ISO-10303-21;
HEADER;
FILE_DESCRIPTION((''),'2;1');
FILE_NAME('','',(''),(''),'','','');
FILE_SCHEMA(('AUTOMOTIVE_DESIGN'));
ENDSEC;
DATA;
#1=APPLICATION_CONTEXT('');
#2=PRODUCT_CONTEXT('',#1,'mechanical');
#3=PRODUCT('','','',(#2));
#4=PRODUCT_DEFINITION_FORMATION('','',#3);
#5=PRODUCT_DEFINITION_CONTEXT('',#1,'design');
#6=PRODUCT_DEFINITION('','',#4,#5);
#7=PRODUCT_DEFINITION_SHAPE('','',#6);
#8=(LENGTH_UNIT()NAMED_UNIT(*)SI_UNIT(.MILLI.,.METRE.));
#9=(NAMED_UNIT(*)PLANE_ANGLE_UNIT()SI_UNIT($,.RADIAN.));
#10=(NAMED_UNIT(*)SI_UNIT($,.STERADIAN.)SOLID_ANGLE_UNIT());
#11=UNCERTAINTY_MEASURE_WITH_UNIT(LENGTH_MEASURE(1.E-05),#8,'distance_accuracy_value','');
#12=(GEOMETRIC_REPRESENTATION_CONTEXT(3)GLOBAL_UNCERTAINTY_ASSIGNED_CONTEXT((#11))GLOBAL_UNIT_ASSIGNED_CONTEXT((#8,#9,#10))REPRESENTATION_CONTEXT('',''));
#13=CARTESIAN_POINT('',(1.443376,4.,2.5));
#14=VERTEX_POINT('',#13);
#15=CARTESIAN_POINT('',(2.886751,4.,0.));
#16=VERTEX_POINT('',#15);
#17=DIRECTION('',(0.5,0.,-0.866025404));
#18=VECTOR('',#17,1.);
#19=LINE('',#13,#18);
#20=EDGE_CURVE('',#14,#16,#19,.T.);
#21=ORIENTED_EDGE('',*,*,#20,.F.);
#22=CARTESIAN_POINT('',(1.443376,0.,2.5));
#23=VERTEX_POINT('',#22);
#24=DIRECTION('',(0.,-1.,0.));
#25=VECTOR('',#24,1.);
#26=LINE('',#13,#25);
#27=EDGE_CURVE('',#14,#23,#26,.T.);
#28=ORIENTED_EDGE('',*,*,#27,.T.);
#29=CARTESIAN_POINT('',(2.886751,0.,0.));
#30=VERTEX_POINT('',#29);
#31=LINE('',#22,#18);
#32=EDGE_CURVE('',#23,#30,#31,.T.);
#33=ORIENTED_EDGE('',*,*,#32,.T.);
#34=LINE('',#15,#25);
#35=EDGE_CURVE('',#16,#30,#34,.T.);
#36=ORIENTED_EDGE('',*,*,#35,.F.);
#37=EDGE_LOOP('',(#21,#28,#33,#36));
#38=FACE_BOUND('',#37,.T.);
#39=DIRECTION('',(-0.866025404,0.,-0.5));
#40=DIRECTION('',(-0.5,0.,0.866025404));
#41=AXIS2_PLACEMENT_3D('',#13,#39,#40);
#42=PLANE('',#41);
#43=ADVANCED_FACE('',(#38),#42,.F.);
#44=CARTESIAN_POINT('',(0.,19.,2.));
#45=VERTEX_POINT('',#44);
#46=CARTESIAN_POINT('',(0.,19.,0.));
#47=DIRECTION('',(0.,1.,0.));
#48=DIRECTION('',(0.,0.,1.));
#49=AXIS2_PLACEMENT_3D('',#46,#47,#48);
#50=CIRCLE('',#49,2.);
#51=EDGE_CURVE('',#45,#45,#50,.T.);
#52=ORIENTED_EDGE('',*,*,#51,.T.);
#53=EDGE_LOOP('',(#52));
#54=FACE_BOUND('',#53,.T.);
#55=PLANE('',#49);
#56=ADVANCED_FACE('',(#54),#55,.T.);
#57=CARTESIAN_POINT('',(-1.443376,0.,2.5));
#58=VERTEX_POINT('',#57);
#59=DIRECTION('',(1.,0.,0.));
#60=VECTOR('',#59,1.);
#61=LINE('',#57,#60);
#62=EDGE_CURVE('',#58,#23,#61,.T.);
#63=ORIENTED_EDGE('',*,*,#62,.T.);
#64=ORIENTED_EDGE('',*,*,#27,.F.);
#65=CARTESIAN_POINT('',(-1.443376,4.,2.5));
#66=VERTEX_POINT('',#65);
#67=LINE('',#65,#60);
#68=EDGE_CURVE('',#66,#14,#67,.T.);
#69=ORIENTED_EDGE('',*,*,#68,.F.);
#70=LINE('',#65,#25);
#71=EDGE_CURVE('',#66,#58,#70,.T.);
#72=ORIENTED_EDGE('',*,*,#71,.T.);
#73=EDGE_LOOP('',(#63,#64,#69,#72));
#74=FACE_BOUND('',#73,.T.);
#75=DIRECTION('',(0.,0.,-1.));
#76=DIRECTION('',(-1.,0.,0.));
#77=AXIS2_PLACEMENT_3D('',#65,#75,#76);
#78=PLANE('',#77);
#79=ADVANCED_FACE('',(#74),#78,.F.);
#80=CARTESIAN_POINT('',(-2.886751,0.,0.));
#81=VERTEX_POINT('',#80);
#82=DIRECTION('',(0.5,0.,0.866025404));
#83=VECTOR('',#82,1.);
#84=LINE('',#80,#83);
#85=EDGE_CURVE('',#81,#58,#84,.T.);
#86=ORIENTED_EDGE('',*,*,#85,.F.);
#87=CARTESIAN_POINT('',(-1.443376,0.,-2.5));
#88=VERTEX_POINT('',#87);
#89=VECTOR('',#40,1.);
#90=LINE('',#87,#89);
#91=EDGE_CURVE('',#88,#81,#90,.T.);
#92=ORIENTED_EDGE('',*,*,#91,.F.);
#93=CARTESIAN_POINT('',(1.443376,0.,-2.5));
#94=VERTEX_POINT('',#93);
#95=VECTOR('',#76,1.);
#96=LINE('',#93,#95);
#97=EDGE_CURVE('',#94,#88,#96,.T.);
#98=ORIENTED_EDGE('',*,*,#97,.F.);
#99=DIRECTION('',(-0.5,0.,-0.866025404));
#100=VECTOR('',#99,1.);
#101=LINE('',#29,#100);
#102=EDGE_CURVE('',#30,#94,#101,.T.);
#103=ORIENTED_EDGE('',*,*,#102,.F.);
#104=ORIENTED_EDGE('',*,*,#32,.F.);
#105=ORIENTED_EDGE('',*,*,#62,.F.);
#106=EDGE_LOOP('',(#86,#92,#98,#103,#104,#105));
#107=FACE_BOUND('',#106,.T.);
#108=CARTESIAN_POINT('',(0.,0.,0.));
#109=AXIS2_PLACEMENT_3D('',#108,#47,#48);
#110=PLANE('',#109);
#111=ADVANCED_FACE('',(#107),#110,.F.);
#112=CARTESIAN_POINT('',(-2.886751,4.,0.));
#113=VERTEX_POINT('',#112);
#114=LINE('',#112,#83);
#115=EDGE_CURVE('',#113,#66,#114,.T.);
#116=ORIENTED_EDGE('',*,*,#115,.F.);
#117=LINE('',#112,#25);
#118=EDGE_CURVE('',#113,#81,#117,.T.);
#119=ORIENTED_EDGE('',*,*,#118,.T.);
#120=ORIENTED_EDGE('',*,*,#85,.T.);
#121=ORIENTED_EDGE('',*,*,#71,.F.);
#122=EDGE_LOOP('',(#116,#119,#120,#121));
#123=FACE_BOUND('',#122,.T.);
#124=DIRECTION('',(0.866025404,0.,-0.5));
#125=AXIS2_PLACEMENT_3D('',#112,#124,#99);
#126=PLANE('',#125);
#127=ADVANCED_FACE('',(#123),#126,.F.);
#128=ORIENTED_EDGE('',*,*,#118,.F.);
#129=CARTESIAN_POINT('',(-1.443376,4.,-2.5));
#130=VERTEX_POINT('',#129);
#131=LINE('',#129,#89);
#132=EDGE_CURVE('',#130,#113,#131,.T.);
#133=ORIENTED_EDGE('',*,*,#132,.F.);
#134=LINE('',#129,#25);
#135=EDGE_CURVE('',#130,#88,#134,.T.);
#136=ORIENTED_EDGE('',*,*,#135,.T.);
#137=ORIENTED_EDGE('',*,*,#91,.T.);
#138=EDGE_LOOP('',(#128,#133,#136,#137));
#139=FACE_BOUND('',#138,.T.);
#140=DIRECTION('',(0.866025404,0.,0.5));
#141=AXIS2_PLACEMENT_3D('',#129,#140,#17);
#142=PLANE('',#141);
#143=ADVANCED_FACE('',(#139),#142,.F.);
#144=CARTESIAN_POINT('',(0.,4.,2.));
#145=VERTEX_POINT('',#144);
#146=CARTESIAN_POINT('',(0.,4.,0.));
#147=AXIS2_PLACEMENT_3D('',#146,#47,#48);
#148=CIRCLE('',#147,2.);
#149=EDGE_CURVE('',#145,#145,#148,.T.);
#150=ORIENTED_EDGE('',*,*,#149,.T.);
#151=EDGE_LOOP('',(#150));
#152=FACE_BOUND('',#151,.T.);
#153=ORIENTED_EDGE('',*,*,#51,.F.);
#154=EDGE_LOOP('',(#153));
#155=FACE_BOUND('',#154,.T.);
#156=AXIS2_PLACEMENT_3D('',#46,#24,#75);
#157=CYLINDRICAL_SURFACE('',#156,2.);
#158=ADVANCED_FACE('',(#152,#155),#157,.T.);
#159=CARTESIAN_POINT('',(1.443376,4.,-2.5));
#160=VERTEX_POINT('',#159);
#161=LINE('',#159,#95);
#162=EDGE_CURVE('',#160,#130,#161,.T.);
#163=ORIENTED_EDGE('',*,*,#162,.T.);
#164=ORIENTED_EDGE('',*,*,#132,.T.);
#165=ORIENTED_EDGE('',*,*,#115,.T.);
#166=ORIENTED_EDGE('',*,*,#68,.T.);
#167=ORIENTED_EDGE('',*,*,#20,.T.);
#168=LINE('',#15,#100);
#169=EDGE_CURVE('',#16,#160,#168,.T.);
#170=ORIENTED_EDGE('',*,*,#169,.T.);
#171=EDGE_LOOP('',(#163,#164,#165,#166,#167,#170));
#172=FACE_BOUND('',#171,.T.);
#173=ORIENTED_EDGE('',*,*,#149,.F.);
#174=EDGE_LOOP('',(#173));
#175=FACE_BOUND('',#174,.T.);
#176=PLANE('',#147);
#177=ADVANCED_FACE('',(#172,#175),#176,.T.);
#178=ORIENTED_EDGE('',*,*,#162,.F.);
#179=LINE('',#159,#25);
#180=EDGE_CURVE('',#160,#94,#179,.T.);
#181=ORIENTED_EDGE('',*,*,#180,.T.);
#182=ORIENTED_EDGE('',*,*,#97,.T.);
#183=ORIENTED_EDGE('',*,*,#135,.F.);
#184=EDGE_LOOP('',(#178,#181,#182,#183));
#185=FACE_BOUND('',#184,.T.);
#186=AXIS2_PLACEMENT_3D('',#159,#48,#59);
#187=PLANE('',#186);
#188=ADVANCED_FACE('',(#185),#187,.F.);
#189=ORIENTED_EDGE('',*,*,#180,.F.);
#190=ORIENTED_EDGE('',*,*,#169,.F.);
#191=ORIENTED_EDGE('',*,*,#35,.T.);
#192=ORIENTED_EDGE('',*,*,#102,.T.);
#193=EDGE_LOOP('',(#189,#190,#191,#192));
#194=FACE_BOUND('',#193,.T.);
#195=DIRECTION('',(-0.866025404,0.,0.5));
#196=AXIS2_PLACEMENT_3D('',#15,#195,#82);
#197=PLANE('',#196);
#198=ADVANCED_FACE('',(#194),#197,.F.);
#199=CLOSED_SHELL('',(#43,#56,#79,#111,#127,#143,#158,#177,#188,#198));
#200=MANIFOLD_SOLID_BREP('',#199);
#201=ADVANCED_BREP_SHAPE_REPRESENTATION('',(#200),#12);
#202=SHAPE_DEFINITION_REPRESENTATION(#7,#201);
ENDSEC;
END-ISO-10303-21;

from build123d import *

# Parameters (mm, degrees)
BOSS_EXTRUDE1_DEPTH = 4
SKETCH2_R           = 2
BOSS_EXTRUDE2_DEPTH = 15


with BuildPart() as part:
    # Sketch1 → Boss-Extrude1 (new body)
    with BuildSketch(Plane(origin=(0, 0, 0), x_dir=(1, 0, 0), z_dir=(0, 1, 0))):
        Polygon((2.886751346, 0), (1.443375673, 2.5), (-1.443375673, 2.5), (-2.886751346, 0), (-1.443375673, -2.5), (1.443375673, -2.5), align=None)
    extrude(amount=BOSS_EXTRUDE1_DEPTH)

    # Sketch2 → Boss-Extrude2 (add)
    with BuildSketch(Plane(origin=(0, 4, 0), x_dir=(1, 0, 0), z_dir=(0, 1, 0))):
        with Locations(Location((0, 0, 0), (0, 0, 270))):
            Circle(SKETCH2_R)
    extrude(amount=BOSS_EXTRUDE2_DEPTH)


solid = part.part
